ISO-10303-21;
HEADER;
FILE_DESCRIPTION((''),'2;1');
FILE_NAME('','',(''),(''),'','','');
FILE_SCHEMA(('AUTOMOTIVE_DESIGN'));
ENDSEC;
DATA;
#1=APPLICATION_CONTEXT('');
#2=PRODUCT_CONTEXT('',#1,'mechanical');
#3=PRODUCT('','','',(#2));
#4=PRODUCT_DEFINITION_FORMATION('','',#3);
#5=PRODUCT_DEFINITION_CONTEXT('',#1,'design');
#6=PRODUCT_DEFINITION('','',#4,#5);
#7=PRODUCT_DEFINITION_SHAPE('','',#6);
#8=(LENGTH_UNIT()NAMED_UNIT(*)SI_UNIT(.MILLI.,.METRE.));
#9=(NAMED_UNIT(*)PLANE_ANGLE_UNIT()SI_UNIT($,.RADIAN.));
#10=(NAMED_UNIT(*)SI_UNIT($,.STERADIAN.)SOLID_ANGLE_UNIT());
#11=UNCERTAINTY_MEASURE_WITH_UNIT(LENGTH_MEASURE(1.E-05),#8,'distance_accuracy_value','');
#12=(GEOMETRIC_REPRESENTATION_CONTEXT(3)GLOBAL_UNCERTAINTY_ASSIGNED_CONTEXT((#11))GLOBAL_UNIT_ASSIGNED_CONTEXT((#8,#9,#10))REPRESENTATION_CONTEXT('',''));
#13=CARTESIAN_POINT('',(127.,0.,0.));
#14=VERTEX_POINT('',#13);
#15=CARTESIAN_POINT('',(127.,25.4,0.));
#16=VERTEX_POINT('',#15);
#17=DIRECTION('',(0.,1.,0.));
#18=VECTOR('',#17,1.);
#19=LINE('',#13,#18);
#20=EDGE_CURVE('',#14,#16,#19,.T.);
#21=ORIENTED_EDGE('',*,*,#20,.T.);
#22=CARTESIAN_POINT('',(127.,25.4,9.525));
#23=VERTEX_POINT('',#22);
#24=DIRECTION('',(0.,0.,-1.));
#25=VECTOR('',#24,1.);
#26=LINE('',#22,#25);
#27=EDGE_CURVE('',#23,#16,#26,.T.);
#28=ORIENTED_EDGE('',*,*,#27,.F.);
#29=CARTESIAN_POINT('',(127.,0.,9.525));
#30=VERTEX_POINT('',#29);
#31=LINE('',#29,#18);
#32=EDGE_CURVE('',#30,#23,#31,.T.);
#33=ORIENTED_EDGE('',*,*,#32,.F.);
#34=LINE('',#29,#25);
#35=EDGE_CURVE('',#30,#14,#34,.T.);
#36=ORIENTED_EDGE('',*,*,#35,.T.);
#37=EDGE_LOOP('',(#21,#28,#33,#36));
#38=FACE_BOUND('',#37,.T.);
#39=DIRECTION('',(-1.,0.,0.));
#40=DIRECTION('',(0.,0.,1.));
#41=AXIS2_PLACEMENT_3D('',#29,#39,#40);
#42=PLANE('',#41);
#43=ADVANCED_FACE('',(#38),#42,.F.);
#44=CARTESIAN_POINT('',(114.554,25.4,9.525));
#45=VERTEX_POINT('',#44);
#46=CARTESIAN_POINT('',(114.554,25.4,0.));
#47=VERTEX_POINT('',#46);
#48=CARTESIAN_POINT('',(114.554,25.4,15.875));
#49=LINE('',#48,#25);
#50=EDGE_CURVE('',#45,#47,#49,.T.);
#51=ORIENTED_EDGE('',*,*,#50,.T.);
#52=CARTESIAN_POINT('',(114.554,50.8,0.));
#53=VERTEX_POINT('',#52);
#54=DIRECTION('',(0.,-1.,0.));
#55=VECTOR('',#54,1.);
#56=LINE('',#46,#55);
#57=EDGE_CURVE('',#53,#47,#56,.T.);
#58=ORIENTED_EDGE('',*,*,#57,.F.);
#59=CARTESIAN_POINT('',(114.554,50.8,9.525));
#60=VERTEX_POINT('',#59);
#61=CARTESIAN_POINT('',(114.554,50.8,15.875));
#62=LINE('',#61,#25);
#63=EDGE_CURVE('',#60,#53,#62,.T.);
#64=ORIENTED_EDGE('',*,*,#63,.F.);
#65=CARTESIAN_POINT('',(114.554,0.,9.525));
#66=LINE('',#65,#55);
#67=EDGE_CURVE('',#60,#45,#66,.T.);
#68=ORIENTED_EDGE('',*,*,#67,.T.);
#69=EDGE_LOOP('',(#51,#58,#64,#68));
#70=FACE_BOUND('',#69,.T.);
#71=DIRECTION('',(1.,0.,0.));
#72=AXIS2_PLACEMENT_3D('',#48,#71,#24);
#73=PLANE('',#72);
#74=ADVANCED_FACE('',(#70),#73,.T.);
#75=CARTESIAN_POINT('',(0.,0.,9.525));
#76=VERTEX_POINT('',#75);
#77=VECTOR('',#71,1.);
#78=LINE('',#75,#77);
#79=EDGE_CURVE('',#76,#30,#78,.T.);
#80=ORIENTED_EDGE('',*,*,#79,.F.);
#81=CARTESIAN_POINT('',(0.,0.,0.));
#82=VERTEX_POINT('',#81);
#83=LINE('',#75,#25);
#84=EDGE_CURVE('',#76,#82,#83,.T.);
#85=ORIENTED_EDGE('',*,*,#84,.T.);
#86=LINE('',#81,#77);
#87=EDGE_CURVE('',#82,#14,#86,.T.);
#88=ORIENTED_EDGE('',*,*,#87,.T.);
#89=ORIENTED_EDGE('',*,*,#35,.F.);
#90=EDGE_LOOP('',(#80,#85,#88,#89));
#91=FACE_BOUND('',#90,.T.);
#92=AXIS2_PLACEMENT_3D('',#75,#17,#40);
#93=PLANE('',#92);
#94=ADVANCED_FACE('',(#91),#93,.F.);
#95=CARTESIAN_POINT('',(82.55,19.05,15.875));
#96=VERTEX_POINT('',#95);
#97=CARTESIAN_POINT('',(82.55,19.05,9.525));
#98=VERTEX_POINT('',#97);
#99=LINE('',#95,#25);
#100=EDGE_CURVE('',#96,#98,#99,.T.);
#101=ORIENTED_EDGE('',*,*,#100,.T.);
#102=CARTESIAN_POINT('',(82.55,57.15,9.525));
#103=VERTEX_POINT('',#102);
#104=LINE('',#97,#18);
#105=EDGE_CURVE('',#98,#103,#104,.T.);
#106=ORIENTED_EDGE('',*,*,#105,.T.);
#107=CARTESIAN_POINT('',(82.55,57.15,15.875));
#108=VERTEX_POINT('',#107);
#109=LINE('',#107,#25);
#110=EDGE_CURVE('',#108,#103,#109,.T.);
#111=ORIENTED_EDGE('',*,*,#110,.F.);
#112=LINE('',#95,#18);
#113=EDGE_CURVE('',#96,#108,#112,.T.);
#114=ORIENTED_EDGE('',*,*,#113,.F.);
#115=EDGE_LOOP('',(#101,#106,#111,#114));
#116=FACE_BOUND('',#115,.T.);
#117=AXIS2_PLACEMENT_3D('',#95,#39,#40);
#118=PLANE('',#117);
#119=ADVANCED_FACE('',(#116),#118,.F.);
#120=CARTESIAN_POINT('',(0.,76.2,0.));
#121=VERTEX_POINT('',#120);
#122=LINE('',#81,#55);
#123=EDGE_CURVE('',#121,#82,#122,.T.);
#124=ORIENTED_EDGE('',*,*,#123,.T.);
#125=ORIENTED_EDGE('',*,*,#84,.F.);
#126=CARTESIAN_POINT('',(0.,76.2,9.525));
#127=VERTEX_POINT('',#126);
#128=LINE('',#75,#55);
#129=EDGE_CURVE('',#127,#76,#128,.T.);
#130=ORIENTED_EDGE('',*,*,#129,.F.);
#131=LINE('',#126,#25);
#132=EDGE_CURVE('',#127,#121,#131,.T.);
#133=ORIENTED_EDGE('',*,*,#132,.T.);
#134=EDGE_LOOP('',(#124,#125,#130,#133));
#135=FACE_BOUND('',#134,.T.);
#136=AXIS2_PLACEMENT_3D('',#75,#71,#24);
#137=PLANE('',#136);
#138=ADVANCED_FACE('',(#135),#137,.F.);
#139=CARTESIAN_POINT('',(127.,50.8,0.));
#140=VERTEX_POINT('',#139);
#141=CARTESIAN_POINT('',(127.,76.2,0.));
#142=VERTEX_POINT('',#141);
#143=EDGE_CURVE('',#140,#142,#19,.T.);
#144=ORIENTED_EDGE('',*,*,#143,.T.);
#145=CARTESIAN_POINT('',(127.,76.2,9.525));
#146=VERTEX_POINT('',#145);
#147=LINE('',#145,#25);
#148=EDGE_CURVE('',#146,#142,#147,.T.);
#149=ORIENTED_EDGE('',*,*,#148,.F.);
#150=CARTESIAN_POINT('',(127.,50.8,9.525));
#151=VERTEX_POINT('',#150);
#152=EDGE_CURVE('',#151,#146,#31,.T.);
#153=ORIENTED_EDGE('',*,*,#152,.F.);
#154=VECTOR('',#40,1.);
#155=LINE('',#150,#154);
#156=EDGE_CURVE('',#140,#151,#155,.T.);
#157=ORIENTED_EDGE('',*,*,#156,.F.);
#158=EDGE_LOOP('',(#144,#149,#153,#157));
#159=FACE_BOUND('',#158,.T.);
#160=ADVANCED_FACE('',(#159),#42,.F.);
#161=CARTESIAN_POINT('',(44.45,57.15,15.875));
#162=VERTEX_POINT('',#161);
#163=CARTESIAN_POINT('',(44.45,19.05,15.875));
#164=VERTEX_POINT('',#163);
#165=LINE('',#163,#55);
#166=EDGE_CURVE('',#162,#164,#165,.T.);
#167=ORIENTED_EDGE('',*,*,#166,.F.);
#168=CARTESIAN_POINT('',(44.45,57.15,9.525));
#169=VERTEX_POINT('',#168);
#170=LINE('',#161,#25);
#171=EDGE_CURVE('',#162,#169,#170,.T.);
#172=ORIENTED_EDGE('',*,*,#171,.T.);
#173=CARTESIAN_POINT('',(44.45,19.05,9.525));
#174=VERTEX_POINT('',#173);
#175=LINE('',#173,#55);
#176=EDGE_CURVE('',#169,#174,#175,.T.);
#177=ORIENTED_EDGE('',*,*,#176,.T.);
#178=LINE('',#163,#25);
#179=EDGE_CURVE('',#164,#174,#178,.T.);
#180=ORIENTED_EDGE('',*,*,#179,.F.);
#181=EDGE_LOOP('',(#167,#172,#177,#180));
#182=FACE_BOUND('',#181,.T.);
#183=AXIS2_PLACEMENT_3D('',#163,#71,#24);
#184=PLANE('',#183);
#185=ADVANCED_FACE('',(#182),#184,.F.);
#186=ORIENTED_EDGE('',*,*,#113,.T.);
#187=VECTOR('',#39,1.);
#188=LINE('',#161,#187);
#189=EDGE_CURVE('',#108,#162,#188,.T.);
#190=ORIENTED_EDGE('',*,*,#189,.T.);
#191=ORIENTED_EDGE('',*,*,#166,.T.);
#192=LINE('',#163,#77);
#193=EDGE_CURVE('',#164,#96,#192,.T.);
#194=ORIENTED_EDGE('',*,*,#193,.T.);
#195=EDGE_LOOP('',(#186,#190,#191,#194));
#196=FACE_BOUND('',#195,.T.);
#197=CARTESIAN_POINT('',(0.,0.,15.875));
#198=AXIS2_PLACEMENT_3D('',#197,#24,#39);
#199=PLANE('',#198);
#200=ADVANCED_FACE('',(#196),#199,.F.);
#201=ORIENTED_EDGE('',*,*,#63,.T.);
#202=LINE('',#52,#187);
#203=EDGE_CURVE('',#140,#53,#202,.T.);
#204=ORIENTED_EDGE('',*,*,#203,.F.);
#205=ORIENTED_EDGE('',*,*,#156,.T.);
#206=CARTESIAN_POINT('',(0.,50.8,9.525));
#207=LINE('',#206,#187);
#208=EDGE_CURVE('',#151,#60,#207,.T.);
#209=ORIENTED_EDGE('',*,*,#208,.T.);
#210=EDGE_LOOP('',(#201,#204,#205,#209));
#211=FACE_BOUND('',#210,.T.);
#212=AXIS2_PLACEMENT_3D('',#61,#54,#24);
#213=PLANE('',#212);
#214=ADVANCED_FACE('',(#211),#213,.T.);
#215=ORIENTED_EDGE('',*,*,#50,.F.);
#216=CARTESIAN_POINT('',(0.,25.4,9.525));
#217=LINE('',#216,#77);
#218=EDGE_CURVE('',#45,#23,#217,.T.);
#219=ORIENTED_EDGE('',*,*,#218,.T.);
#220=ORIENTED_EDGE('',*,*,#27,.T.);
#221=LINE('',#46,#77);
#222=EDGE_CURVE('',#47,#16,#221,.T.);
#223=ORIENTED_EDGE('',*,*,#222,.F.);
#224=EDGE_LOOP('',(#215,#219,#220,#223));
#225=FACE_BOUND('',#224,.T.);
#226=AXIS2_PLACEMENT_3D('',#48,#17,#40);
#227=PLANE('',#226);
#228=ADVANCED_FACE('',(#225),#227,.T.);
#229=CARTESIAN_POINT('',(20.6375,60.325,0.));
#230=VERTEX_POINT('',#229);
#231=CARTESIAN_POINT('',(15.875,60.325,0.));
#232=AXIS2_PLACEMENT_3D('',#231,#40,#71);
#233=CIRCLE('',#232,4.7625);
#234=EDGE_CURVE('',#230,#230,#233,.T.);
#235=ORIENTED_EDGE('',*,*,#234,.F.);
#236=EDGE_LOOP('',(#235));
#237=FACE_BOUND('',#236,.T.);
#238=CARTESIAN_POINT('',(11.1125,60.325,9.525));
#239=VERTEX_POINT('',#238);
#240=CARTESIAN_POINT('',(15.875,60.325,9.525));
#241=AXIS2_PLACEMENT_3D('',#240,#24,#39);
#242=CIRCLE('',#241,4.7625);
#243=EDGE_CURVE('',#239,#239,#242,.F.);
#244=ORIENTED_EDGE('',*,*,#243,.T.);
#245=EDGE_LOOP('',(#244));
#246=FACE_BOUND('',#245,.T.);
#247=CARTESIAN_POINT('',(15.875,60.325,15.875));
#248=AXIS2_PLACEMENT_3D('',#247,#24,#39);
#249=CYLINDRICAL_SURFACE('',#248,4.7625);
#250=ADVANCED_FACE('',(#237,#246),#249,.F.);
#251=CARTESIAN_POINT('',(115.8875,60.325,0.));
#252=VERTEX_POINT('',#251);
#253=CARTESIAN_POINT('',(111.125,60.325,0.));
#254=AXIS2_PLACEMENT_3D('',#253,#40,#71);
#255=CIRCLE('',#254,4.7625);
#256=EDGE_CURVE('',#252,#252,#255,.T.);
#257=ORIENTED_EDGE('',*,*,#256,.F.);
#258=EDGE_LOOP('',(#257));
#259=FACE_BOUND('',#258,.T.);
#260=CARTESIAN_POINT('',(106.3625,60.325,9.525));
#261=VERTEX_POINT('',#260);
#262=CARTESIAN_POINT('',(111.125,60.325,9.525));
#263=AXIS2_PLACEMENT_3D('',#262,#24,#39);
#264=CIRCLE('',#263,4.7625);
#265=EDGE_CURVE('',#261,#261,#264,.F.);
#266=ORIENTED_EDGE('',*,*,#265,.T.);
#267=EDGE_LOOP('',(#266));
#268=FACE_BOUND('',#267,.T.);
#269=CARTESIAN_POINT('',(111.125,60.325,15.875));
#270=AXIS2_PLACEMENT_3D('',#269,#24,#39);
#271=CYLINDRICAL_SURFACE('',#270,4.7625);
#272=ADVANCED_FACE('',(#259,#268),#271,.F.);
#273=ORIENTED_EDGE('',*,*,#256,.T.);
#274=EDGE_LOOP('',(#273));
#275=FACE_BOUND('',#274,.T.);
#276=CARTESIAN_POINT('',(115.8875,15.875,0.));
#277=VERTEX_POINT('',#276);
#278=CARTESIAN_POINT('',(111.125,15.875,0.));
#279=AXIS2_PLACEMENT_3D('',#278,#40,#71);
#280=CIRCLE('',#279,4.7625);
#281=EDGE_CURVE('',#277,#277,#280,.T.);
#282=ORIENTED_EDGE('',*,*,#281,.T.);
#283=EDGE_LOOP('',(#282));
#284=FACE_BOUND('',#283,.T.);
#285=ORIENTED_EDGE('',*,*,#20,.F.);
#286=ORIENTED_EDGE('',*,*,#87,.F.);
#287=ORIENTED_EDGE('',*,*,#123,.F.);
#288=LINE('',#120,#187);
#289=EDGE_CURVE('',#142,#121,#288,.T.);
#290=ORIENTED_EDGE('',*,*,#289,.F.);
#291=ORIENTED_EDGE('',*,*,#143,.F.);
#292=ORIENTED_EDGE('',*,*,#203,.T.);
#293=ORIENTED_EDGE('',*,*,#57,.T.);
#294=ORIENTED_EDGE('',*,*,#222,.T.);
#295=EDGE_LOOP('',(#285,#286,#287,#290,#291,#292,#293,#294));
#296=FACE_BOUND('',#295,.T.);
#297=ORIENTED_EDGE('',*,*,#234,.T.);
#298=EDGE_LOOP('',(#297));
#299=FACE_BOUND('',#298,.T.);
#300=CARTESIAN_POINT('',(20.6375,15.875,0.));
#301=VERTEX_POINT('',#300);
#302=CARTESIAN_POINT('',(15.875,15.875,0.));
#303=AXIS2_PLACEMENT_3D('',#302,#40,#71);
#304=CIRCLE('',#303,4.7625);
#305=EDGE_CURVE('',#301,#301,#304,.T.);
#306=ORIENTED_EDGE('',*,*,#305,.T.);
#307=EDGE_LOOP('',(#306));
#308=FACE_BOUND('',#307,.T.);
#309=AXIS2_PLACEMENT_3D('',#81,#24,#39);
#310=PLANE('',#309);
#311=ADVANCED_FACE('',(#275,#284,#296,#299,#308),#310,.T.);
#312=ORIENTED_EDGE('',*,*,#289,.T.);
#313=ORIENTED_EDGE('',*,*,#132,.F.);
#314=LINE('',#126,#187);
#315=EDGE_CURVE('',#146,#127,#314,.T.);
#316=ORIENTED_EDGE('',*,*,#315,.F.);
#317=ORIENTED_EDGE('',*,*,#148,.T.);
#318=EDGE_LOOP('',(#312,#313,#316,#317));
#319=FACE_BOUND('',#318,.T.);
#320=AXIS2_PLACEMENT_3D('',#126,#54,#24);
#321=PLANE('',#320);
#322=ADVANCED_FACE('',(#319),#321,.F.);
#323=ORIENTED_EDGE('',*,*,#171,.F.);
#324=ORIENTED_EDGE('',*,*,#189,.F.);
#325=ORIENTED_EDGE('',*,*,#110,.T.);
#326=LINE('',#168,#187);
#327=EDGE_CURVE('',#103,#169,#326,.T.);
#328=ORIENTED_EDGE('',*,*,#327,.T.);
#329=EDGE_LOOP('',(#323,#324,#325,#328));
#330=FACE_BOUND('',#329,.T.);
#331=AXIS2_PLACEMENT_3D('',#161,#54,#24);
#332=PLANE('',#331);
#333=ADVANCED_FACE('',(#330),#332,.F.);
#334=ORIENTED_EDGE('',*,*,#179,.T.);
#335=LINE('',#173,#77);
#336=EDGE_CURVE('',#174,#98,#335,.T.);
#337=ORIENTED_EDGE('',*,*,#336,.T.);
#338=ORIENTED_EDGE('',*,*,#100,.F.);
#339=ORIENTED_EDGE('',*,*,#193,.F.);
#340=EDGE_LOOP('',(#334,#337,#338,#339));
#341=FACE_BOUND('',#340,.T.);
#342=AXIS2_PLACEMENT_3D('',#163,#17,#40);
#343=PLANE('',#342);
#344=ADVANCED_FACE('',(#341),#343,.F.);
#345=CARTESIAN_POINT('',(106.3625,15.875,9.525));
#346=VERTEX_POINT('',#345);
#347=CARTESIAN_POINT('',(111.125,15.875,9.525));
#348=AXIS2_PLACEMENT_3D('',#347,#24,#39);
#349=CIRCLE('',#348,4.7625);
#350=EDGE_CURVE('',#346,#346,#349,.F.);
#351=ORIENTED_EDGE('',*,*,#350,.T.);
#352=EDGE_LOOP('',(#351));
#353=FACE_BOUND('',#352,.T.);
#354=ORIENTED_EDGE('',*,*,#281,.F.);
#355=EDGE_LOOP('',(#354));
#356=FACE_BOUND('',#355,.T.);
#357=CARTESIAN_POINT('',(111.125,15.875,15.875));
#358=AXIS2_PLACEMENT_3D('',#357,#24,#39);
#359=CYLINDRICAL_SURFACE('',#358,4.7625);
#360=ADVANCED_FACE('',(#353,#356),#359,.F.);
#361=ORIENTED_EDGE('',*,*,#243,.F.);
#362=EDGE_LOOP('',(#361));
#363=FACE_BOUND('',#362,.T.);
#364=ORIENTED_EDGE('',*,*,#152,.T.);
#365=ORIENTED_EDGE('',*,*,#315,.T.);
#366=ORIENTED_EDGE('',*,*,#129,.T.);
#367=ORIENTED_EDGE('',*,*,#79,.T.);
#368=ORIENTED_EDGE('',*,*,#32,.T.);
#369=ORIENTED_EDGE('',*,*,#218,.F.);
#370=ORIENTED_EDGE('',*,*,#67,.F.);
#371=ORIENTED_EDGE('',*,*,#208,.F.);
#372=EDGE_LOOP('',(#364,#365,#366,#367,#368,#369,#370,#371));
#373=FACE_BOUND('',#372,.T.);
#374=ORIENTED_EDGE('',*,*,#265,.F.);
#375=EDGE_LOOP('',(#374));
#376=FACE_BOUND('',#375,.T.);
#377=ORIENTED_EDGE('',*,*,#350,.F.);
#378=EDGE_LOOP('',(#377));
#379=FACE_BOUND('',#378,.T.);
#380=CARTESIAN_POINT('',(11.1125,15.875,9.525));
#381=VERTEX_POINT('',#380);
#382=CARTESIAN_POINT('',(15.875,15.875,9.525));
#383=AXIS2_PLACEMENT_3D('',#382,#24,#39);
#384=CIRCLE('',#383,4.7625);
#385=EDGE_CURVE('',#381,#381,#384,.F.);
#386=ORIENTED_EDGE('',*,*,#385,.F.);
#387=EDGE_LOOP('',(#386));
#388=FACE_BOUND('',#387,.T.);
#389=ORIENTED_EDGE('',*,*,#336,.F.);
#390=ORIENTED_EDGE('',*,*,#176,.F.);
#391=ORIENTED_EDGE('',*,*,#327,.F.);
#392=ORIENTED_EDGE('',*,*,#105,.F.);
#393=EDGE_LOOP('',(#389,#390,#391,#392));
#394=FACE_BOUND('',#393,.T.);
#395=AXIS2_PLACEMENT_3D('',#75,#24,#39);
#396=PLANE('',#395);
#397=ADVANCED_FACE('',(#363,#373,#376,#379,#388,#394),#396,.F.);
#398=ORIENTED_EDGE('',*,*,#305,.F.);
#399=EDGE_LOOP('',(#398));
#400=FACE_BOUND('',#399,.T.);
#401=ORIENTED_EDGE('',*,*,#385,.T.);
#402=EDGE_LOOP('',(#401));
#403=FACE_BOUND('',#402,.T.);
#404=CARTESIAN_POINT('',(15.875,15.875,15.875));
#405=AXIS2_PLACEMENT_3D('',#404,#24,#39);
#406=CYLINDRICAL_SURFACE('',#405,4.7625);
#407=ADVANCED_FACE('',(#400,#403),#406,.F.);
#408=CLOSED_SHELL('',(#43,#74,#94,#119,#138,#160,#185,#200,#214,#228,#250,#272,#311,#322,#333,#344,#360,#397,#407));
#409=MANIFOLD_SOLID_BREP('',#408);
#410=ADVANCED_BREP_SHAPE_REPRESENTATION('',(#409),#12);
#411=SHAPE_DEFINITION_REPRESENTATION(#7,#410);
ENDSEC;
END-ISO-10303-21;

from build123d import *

# Parameters (mm, degrees)
SKETCH1_W         = 127
SKETCH1_H         = 76.2
BASE_PLATE_DEPTH  = 9.525
SKETCH2_W         = 38.1
SKETCH2_H         = 38.1
RAISED_BOSS_DEPTH = 6.35
SKETCH3_W         = 12.7
SKETCH3_H         = 25.4
EDGE_NOTCH_DEPTH  = 149.954542143
SKETCH4_R         = 4.7625
HOLE_1_DEPTH      = 149.954542143
SKETCH5_R         = 4.7625
HOLE_2_DEPTH      = 149.954542143
SKETCH6_R         = 4.7625
HOLE_3_DEPTH      = 149.954542143
SKETCH7_R         = 4.7625
HOLE_4_DEPTH      = 149.954542143


with BuildPart() as part:
    # Sketch1 → base_plate (new body)
    with BuildSketch(Plane.XY):
        with Locations((63.5, 38.1)):
            Rectangle(SKETCH1_W, SKETCH1_H)
    extrude(amount=BASE_PLATE_DEPTH)

    # Sketch2 → raised_boss (add)
    with BuildSketch(Plane.XY.offset(9.525)):
        with Locations((63.5, 38.1)):
            Rectangle(SKETCH2_W, SKETCH2_H)
    extrude(amount=RAISED_BOSS_DEPTH)

    # Sketch3 → edge_notch (cut, through all)
    with BuildSketch(Plane.XY):
        with Locations((120.904, 38.1)):
            Rectangle(SKETCH3_W, SKETCH3_H)
    extrude(amount=EDGE_NOTCH_DEPTH, mode=Mode.SUBTRACT)

    # Sketch4 → hole_1 (cut, through all)
    with BuildSketch(Plane.XY):
        with Locations(Location((15.875, 15.875, 0), (0, 0, 180))):
            Circle(SKETCH4_R)
    extrude(amount=HOLE_1_DEPTH, mode=Mode.SUBTRACT)

    # Sketch5 → hole_2 (cut, through all)
    with BuildSketch(Plane.XY):
        with Locations(Location((111.125, 15.875, 0), (0, 0, 180))):
            Circle(SKETCH5_R)
    extrude(amount=HOLE_2_DEPTH, mode=Mode.SUBTRACT)

    # Sketch6 → hole_3 (cut, through all)
    with BuildSketch(Plane.XY):
        with Locations(Location((15.875, 60.325, 0), (0, 0, 180))):
            Circle(SKETCH6_R)
    extrude(amount=HOLE_3_DEPTH, mode=Mode.SUBTRACT)

    # Sketch7 → hole_4 (cut, through all)
    with BuildSketch(Plane.XY):
        with Locations(Location((111.125, 60.325, 0), (0, 0, 180))):
            Circle(SKETCH7_R)
    extrude(amount=HOLE_4_DEPTH, mode=Mode.SUBTRACT)


solid = part.part
